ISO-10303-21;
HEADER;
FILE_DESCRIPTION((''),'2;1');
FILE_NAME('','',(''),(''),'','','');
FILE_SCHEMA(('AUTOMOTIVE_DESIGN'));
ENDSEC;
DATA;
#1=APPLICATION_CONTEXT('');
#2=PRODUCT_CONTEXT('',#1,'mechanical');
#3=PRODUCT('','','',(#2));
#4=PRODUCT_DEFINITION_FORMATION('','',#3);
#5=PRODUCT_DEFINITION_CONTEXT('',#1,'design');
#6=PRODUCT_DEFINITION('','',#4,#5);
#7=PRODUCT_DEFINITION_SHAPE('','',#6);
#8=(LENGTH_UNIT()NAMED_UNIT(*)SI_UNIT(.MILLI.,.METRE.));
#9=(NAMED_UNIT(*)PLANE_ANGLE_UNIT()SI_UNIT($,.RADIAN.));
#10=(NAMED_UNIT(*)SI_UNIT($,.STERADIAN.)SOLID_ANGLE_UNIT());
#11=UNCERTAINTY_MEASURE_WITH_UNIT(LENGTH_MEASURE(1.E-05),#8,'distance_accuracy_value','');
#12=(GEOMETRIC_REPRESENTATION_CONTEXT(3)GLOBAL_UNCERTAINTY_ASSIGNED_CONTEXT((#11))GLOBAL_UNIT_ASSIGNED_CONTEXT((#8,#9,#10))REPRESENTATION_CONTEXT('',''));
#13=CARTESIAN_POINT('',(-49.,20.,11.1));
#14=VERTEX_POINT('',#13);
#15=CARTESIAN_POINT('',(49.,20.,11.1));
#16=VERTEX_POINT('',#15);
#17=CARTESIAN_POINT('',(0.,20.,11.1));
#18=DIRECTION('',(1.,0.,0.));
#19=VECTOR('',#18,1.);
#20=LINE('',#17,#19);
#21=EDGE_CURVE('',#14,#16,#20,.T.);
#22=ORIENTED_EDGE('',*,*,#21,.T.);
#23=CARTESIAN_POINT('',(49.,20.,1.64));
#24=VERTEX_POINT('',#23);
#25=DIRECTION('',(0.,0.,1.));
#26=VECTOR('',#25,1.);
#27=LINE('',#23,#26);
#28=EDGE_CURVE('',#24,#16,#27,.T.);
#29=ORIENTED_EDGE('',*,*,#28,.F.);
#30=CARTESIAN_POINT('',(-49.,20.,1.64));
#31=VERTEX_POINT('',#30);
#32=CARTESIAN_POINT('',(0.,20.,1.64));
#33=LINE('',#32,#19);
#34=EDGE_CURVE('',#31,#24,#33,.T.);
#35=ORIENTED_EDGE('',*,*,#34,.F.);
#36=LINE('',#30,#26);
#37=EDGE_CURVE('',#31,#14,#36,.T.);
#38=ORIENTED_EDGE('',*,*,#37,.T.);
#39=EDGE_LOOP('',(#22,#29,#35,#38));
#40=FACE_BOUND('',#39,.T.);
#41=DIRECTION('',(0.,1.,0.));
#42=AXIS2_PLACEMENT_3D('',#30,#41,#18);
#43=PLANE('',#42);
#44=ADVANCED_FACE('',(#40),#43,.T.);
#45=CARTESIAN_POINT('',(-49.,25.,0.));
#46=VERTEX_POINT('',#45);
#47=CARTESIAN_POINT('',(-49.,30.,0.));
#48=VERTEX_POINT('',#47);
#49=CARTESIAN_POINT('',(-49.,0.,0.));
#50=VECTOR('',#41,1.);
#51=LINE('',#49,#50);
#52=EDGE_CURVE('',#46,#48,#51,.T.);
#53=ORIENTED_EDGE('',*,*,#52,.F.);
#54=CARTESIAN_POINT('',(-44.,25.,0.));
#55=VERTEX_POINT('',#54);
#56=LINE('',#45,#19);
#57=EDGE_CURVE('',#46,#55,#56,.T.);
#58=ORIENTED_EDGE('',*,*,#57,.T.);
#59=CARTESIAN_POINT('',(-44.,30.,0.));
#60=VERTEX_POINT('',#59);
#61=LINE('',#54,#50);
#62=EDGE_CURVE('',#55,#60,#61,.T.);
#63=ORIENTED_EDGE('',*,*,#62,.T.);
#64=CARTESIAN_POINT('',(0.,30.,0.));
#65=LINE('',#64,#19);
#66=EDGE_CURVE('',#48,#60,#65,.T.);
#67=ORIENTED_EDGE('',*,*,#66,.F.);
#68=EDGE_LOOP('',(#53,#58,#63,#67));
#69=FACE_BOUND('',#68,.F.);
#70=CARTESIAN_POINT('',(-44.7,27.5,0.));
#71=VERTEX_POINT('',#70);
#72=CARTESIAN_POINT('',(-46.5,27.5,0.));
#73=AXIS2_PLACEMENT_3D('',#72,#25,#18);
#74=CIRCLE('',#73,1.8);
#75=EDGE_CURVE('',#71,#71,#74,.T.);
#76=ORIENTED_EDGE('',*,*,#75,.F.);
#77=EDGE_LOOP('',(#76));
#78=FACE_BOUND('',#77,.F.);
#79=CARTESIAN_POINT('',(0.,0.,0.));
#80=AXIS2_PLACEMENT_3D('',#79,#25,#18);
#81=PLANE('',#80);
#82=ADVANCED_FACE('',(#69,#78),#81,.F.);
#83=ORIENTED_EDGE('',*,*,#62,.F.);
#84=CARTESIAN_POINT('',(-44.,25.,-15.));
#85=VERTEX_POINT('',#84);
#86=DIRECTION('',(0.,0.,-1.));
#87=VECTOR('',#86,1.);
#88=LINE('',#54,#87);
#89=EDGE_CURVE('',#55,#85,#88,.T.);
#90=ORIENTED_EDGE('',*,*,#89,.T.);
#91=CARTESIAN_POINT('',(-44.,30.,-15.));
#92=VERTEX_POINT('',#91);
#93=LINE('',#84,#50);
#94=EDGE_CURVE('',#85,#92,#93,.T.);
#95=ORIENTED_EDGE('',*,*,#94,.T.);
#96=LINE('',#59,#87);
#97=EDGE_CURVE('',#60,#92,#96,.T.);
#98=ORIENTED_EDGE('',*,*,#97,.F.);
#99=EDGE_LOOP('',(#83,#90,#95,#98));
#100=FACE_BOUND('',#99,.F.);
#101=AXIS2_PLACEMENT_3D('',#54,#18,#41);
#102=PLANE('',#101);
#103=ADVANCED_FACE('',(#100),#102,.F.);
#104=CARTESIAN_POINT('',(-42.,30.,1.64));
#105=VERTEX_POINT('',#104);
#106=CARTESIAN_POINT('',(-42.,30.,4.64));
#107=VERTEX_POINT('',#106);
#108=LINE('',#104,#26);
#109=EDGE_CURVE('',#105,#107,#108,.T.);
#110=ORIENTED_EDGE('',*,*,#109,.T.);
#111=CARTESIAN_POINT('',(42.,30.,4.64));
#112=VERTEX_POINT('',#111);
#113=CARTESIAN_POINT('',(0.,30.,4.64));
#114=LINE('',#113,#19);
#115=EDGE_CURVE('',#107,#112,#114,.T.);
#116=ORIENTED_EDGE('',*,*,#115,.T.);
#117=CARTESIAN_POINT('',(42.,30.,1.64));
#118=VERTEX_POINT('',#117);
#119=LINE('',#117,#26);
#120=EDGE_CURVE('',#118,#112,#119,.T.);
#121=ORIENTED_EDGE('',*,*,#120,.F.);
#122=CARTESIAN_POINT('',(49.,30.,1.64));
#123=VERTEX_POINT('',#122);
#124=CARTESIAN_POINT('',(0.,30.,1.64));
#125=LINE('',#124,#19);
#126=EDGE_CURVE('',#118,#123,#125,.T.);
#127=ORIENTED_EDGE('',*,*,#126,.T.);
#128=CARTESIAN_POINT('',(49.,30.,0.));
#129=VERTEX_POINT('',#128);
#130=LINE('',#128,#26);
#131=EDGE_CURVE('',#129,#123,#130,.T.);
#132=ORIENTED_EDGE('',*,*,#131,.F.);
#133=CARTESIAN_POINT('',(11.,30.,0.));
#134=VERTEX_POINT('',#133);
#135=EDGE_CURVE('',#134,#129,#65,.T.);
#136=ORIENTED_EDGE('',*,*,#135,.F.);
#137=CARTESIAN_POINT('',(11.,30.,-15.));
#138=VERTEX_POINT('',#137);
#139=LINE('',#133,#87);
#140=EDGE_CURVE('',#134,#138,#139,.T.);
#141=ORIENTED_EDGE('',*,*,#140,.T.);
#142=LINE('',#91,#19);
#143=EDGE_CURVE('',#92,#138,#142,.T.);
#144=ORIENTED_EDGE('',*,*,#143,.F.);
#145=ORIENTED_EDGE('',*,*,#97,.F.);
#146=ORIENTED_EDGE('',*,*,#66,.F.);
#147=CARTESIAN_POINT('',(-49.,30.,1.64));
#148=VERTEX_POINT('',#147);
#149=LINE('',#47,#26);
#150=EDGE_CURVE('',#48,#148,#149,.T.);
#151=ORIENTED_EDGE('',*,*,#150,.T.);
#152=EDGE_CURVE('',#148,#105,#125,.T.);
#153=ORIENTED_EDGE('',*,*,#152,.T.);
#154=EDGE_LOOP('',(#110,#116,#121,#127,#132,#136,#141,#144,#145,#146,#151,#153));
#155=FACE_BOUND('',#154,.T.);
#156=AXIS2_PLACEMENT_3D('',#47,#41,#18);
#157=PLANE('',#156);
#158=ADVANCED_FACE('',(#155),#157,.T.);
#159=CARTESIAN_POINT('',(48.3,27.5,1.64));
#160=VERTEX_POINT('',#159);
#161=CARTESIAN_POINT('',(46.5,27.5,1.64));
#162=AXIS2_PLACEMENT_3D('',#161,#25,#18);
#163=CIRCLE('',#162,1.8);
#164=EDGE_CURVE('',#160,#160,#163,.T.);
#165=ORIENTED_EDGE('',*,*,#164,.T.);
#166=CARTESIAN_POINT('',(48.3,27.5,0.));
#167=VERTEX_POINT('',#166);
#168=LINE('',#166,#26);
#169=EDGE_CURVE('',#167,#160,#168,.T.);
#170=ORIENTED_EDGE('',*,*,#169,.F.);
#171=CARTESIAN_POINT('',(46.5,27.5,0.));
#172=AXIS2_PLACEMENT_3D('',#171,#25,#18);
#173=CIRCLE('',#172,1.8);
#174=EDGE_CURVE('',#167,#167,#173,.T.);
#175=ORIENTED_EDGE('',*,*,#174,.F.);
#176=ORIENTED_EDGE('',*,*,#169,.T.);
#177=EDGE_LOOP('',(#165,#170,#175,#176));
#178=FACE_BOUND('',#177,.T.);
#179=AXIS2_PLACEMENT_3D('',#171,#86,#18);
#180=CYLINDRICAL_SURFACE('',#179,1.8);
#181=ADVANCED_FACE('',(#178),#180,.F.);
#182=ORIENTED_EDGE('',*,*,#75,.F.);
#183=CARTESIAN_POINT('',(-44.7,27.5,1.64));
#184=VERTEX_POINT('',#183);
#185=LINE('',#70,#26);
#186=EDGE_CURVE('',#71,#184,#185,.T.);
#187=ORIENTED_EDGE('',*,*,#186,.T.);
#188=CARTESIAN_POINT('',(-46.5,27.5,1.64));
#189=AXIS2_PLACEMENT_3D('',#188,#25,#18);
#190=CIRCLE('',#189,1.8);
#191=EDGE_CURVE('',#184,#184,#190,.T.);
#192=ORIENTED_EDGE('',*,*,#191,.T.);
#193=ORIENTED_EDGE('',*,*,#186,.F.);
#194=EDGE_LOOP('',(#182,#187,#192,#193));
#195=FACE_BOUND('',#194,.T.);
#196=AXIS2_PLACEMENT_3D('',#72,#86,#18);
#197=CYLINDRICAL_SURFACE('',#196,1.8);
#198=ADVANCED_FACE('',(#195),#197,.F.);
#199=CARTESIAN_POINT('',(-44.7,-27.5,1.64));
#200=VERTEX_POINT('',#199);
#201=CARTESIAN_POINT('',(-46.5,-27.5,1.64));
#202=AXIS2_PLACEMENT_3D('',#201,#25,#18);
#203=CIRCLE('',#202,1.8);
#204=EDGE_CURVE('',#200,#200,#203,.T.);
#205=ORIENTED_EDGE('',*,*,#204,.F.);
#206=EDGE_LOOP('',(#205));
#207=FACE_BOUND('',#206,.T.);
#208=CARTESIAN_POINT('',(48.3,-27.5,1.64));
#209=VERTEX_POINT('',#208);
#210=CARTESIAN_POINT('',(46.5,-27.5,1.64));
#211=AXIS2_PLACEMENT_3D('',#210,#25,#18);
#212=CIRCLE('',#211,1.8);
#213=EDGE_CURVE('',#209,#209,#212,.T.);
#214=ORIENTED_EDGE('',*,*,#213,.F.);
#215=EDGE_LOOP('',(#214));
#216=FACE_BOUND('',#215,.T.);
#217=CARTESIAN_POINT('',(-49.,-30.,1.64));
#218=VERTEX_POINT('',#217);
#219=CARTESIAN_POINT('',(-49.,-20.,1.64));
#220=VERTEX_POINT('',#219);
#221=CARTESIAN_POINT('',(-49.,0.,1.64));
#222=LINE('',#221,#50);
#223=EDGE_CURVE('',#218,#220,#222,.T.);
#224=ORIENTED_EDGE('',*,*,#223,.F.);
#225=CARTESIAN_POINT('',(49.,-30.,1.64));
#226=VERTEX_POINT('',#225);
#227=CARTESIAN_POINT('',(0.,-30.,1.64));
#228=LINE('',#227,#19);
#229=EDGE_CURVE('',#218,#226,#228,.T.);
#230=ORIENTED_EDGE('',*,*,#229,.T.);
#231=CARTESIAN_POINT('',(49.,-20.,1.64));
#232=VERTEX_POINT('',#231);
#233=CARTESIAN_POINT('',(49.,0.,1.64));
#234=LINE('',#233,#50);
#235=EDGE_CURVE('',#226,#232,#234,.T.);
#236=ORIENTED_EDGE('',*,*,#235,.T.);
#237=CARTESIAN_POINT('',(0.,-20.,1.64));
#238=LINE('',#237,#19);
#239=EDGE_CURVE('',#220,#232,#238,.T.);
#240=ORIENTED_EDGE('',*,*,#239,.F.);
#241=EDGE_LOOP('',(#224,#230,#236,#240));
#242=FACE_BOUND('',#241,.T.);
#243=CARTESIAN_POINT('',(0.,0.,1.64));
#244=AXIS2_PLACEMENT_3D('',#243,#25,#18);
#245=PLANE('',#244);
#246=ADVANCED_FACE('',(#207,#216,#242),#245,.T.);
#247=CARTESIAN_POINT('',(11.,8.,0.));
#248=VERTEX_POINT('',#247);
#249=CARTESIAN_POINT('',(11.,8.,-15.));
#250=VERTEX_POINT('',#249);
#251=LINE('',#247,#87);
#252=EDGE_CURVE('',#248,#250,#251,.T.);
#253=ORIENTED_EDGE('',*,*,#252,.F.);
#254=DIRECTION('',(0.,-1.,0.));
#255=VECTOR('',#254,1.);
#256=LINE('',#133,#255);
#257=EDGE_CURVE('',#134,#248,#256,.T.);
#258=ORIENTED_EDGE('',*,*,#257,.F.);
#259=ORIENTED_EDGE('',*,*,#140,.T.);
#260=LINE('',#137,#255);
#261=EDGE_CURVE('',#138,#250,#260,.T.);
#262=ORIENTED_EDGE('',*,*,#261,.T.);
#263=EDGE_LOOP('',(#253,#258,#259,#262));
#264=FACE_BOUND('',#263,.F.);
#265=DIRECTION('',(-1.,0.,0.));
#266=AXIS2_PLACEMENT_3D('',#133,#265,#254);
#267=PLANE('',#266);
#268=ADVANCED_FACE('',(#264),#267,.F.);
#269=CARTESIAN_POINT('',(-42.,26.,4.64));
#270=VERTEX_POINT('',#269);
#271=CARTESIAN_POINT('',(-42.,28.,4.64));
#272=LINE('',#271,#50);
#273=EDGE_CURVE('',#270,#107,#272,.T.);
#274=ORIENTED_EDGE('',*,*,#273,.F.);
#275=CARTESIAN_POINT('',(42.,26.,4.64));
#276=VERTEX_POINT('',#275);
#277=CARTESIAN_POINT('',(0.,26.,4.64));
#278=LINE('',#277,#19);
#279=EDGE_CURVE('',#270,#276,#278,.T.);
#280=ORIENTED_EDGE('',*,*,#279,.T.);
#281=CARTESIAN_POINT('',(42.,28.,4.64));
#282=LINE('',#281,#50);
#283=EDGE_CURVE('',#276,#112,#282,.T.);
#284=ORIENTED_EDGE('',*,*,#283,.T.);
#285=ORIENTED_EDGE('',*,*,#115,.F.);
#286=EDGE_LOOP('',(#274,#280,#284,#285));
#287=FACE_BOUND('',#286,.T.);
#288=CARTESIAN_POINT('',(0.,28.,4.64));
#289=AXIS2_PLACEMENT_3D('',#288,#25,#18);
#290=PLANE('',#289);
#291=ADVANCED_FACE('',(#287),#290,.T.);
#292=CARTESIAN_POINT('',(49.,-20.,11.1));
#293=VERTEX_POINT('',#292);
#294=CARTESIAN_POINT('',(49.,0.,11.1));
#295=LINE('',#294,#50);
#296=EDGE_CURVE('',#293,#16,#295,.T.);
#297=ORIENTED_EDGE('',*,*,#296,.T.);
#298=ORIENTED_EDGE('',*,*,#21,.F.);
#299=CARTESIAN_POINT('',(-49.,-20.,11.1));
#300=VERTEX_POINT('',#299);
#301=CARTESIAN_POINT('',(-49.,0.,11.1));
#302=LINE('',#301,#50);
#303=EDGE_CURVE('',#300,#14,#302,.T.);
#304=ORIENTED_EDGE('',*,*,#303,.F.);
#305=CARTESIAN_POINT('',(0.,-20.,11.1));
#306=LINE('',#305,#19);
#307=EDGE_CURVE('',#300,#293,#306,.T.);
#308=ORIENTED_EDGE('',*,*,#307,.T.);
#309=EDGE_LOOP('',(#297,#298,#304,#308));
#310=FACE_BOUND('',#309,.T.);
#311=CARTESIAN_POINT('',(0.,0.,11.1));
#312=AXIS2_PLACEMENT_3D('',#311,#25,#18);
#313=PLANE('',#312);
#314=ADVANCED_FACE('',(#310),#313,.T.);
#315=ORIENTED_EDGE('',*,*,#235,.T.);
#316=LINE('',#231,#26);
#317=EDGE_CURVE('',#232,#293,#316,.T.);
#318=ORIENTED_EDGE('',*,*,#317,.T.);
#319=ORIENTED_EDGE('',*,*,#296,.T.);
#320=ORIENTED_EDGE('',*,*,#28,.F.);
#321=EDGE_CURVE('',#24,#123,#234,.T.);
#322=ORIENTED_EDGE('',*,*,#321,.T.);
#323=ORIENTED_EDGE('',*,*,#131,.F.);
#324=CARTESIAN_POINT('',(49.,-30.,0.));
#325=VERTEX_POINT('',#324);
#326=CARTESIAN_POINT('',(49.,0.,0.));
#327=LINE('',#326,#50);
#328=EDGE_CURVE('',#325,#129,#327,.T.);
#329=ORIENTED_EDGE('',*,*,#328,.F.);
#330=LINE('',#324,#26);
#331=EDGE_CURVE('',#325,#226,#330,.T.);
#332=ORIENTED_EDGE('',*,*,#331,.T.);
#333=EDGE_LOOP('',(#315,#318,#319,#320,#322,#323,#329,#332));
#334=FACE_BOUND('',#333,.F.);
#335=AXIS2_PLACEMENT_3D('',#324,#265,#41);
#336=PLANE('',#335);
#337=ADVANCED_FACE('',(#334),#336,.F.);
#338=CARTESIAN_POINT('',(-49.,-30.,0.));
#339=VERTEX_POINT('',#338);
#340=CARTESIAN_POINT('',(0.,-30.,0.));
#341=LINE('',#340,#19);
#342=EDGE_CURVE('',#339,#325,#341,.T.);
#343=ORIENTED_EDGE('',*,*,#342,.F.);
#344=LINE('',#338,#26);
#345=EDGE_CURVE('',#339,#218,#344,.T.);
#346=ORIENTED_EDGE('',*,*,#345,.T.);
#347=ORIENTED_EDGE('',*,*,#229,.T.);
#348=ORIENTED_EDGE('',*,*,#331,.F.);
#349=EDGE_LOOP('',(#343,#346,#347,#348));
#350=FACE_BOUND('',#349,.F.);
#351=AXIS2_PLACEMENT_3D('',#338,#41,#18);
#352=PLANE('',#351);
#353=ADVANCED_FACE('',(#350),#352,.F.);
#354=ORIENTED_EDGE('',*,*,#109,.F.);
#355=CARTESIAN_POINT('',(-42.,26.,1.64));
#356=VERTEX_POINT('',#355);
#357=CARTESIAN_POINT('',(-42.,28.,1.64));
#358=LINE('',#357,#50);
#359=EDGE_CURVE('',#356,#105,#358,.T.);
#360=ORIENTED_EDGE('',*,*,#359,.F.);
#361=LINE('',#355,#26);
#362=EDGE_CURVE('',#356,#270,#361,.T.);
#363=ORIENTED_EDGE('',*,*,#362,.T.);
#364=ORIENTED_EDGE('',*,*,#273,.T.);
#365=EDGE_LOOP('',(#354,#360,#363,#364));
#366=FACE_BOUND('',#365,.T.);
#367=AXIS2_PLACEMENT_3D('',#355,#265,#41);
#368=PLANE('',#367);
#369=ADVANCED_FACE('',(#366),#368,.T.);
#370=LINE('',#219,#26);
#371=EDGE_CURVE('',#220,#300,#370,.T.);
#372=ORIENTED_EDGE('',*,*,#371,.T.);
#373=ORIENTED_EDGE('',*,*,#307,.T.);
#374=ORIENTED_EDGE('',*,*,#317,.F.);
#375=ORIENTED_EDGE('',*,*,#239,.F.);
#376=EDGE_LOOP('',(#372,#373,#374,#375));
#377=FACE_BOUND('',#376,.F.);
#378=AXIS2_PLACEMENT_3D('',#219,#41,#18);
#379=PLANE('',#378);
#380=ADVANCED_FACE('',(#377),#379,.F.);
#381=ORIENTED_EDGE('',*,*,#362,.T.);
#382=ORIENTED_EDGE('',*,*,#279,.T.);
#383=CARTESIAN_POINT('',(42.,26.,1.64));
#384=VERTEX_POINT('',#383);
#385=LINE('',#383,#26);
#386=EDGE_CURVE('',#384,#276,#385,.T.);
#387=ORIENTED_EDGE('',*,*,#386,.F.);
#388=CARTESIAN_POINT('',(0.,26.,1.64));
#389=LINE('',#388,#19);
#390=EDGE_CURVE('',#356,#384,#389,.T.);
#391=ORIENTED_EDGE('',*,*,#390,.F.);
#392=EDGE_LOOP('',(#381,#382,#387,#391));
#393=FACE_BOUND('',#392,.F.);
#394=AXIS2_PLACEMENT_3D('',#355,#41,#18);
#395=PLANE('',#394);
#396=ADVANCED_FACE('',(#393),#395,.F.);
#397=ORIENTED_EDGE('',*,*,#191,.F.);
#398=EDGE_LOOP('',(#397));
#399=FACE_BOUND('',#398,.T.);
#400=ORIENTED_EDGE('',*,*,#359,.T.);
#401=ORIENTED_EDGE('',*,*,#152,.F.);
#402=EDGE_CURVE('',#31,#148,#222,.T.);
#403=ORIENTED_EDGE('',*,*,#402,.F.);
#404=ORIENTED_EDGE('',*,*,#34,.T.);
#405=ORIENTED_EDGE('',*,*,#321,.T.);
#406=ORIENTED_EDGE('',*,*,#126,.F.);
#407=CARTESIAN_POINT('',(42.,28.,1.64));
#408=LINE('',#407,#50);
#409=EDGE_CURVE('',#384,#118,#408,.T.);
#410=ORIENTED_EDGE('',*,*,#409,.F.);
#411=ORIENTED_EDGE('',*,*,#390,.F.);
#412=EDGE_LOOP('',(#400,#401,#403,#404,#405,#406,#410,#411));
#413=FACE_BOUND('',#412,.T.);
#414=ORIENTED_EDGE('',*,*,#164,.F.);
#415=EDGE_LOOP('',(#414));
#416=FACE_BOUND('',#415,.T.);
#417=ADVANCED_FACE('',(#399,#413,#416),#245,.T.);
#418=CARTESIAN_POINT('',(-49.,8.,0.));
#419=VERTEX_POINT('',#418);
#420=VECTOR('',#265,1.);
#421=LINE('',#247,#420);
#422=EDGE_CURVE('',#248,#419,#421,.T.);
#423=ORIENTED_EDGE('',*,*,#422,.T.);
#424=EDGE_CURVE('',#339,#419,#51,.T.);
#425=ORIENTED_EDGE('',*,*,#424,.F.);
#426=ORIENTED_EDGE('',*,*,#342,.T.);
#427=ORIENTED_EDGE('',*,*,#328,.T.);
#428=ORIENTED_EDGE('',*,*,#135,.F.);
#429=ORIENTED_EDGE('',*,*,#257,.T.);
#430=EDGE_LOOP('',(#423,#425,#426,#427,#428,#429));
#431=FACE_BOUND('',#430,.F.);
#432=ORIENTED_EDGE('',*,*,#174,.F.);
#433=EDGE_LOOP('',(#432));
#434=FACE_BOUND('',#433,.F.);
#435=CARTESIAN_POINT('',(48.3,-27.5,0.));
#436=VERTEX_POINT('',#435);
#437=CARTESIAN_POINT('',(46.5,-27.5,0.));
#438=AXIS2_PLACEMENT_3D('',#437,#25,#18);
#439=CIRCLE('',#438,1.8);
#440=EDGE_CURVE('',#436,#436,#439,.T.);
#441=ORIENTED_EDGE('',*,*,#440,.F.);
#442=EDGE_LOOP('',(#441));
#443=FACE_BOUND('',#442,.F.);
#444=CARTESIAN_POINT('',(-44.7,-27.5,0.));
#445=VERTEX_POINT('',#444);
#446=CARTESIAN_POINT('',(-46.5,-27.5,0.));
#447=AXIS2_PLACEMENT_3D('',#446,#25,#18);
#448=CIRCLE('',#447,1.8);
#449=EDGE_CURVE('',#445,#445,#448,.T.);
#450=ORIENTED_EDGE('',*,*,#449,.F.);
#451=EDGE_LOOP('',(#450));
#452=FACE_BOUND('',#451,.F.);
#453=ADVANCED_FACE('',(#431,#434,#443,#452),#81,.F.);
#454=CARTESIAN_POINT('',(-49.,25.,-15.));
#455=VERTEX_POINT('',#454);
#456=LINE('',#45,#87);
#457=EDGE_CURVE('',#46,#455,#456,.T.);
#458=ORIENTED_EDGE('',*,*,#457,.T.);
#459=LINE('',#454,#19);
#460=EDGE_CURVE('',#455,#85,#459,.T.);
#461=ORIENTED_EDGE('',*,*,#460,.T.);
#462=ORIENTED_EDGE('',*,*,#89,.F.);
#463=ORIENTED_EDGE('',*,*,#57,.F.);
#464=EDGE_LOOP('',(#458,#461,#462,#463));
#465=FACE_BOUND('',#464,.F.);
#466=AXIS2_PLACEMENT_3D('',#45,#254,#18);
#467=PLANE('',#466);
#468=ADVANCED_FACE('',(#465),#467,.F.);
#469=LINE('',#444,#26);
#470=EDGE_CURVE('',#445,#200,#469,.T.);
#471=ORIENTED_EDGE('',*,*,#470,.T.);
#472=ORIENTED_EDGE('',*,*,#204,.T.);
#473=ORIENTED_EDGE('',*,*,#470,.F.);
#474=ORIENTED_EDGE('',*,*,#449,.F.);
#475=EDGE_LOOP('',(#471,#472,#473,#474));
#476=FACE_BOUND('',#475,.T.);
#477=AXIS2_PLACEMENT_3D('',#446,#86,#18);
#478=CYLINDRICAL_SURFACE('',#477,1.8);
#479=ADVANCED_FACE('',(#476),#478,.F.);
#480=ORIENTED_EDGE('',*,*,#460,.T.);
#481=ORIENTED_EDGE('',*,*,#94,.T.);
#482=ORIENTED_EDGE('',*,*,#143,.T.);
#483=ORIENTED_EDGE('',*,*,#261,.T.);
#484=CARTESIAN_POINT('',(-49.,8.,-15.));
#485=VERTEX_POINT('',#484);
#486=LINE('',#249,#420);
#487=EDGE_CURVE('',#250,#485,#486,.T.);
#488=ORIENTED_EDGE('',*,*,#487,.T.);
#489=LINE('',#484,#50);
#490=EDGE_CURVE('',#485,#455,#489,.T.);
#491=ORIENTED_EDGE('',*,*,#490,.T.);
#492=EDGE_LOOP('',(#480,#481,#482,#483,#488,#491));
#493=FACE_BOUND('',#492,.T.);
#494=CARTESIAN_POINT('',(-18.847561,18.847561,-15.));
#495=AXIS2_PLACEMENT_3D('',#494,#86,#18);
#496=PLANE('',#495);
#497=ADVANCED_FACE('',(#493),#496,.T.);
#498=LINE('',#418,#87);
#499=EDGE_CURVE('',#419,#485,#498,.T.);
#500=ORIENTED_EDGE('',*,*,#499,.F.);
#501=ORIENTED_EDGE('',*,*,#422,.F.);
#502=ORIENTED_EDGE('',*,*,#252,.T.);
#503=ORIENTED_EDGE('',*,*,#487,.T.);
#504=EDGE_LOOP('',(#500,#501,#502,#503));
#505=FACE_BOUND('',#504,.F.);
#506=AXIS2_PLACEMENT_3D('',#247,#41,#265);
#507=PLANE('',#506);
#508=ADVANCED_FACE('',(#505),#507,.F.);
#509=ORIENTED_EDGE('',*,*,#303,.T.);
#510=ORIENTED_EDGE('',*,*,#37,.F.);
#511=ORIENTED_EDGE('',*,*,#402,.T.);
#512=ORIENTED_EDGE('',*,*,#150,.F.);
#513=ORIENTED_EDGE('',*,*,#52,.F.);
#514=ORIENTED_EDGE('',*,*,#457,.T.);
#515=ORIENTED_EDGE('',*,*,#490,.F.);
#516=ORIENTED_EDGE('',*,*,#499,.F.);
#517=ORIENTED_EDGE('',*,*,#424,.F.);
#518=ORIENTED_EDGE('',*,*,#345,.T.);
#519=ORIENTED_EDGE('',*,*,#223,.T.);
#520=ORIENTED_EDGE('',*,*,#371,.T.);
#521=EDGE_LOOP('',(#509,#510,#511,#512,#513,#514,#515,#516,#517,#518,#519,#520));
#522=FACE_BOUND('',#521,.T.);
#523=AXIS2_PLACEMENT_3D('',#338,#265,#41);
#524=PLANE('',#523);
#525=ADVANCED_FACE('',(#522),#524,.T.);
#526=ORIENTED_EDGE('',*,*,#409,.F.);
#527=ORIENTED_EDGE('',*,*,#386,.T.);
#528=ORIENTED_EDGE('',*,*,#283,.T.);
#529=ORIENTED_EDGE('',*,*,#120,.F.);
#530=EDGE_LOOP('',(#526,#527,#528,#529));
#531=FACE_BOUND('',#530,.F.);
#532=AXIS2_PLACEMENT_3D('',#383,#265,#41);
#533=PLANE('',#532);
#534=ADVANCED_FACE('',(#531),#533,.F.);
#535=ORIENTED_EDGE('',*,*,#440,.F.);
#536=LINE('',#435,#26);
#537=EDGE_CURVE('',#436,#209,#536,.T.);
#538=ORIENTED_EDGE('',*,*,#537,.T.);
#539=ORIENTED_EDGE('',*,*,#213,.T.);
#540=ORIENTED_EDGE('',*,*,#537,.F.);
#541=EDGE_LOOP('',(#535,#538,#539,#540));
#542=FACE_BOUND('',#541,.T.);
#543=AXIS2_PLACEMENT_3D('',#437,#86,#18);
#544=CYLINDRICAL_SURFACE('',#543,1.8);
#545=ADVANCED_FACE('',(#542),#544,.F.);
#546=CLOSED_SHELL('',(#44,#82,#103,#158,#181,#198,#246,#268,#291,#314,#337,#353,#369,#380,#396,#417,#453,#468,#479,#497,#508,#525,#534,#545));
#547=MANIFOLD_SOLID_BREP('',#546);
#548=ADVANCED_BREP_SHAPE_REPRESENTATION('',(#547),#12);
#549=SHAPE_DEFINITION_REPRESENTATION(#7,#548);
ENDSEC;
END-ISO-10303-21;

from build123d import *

# Parameters (mm, degrees)
F0_W     = 98
F0_H     = 60
F0_R     = 1.8
F1_DEPTH = 1.64
F2_W     = 98
F2_H     = 40
F3_DEPTH = 9.46
F4_W     = 84
F4_H     = 4
F5_DEPTH = 3
F7_DEPTH = 15


with BuildPart() as f1:
    # F0 (on Top) → F1 (new body)
    with BuildSketch(Plane.XY):
        Rectangle(F0_W, F0_H)
        with Locations((-46.5, -27.5)):
            Circle(F0_R, mode=Mode.SUBTRACT)
        with Locations((46.5, -27.5)):
            Circle(F0_R, mode=Mode.SUBTRACT)
        with Locations((-46.5, 27.5)):
            Circle(F0_R, mode=Mode.SUBTRACT)
        with Locations((46.5, 27.5)):
            Circle(F0_R, mode=Mode.SUBTRACT)
    extrude(amount=F1_DEPTH)

    # F2 (on face) → F3 (join)
    with BuildSketch(Plane.XY.offset(1.64)):
        Rectangle(F2_W, F2_H)
    extrude(amount=F3_DEPTH)

    # F4 (on face) → F5 (join)
    with BuildSketch(Plane.XY.offset(1.64)):
        with Locations((0, 28)):
            Rectangle(F4_W, F4_H)
    extrude(amount=F5_DEPTH)

    # F6 (on face) → F7 (join)
    with BuildSketch(Plane(origin=(0, 0, 0), x_dir=(1, 0, 0), z_dir=(0, 0, -1))):
        Polygon((11, -8), (-49, -8), (-49, -25), (-44, -25), (-44, -30), (11, -30), align=None)
    extrude(amount=F7_DEPTH)


solid = f1.part
